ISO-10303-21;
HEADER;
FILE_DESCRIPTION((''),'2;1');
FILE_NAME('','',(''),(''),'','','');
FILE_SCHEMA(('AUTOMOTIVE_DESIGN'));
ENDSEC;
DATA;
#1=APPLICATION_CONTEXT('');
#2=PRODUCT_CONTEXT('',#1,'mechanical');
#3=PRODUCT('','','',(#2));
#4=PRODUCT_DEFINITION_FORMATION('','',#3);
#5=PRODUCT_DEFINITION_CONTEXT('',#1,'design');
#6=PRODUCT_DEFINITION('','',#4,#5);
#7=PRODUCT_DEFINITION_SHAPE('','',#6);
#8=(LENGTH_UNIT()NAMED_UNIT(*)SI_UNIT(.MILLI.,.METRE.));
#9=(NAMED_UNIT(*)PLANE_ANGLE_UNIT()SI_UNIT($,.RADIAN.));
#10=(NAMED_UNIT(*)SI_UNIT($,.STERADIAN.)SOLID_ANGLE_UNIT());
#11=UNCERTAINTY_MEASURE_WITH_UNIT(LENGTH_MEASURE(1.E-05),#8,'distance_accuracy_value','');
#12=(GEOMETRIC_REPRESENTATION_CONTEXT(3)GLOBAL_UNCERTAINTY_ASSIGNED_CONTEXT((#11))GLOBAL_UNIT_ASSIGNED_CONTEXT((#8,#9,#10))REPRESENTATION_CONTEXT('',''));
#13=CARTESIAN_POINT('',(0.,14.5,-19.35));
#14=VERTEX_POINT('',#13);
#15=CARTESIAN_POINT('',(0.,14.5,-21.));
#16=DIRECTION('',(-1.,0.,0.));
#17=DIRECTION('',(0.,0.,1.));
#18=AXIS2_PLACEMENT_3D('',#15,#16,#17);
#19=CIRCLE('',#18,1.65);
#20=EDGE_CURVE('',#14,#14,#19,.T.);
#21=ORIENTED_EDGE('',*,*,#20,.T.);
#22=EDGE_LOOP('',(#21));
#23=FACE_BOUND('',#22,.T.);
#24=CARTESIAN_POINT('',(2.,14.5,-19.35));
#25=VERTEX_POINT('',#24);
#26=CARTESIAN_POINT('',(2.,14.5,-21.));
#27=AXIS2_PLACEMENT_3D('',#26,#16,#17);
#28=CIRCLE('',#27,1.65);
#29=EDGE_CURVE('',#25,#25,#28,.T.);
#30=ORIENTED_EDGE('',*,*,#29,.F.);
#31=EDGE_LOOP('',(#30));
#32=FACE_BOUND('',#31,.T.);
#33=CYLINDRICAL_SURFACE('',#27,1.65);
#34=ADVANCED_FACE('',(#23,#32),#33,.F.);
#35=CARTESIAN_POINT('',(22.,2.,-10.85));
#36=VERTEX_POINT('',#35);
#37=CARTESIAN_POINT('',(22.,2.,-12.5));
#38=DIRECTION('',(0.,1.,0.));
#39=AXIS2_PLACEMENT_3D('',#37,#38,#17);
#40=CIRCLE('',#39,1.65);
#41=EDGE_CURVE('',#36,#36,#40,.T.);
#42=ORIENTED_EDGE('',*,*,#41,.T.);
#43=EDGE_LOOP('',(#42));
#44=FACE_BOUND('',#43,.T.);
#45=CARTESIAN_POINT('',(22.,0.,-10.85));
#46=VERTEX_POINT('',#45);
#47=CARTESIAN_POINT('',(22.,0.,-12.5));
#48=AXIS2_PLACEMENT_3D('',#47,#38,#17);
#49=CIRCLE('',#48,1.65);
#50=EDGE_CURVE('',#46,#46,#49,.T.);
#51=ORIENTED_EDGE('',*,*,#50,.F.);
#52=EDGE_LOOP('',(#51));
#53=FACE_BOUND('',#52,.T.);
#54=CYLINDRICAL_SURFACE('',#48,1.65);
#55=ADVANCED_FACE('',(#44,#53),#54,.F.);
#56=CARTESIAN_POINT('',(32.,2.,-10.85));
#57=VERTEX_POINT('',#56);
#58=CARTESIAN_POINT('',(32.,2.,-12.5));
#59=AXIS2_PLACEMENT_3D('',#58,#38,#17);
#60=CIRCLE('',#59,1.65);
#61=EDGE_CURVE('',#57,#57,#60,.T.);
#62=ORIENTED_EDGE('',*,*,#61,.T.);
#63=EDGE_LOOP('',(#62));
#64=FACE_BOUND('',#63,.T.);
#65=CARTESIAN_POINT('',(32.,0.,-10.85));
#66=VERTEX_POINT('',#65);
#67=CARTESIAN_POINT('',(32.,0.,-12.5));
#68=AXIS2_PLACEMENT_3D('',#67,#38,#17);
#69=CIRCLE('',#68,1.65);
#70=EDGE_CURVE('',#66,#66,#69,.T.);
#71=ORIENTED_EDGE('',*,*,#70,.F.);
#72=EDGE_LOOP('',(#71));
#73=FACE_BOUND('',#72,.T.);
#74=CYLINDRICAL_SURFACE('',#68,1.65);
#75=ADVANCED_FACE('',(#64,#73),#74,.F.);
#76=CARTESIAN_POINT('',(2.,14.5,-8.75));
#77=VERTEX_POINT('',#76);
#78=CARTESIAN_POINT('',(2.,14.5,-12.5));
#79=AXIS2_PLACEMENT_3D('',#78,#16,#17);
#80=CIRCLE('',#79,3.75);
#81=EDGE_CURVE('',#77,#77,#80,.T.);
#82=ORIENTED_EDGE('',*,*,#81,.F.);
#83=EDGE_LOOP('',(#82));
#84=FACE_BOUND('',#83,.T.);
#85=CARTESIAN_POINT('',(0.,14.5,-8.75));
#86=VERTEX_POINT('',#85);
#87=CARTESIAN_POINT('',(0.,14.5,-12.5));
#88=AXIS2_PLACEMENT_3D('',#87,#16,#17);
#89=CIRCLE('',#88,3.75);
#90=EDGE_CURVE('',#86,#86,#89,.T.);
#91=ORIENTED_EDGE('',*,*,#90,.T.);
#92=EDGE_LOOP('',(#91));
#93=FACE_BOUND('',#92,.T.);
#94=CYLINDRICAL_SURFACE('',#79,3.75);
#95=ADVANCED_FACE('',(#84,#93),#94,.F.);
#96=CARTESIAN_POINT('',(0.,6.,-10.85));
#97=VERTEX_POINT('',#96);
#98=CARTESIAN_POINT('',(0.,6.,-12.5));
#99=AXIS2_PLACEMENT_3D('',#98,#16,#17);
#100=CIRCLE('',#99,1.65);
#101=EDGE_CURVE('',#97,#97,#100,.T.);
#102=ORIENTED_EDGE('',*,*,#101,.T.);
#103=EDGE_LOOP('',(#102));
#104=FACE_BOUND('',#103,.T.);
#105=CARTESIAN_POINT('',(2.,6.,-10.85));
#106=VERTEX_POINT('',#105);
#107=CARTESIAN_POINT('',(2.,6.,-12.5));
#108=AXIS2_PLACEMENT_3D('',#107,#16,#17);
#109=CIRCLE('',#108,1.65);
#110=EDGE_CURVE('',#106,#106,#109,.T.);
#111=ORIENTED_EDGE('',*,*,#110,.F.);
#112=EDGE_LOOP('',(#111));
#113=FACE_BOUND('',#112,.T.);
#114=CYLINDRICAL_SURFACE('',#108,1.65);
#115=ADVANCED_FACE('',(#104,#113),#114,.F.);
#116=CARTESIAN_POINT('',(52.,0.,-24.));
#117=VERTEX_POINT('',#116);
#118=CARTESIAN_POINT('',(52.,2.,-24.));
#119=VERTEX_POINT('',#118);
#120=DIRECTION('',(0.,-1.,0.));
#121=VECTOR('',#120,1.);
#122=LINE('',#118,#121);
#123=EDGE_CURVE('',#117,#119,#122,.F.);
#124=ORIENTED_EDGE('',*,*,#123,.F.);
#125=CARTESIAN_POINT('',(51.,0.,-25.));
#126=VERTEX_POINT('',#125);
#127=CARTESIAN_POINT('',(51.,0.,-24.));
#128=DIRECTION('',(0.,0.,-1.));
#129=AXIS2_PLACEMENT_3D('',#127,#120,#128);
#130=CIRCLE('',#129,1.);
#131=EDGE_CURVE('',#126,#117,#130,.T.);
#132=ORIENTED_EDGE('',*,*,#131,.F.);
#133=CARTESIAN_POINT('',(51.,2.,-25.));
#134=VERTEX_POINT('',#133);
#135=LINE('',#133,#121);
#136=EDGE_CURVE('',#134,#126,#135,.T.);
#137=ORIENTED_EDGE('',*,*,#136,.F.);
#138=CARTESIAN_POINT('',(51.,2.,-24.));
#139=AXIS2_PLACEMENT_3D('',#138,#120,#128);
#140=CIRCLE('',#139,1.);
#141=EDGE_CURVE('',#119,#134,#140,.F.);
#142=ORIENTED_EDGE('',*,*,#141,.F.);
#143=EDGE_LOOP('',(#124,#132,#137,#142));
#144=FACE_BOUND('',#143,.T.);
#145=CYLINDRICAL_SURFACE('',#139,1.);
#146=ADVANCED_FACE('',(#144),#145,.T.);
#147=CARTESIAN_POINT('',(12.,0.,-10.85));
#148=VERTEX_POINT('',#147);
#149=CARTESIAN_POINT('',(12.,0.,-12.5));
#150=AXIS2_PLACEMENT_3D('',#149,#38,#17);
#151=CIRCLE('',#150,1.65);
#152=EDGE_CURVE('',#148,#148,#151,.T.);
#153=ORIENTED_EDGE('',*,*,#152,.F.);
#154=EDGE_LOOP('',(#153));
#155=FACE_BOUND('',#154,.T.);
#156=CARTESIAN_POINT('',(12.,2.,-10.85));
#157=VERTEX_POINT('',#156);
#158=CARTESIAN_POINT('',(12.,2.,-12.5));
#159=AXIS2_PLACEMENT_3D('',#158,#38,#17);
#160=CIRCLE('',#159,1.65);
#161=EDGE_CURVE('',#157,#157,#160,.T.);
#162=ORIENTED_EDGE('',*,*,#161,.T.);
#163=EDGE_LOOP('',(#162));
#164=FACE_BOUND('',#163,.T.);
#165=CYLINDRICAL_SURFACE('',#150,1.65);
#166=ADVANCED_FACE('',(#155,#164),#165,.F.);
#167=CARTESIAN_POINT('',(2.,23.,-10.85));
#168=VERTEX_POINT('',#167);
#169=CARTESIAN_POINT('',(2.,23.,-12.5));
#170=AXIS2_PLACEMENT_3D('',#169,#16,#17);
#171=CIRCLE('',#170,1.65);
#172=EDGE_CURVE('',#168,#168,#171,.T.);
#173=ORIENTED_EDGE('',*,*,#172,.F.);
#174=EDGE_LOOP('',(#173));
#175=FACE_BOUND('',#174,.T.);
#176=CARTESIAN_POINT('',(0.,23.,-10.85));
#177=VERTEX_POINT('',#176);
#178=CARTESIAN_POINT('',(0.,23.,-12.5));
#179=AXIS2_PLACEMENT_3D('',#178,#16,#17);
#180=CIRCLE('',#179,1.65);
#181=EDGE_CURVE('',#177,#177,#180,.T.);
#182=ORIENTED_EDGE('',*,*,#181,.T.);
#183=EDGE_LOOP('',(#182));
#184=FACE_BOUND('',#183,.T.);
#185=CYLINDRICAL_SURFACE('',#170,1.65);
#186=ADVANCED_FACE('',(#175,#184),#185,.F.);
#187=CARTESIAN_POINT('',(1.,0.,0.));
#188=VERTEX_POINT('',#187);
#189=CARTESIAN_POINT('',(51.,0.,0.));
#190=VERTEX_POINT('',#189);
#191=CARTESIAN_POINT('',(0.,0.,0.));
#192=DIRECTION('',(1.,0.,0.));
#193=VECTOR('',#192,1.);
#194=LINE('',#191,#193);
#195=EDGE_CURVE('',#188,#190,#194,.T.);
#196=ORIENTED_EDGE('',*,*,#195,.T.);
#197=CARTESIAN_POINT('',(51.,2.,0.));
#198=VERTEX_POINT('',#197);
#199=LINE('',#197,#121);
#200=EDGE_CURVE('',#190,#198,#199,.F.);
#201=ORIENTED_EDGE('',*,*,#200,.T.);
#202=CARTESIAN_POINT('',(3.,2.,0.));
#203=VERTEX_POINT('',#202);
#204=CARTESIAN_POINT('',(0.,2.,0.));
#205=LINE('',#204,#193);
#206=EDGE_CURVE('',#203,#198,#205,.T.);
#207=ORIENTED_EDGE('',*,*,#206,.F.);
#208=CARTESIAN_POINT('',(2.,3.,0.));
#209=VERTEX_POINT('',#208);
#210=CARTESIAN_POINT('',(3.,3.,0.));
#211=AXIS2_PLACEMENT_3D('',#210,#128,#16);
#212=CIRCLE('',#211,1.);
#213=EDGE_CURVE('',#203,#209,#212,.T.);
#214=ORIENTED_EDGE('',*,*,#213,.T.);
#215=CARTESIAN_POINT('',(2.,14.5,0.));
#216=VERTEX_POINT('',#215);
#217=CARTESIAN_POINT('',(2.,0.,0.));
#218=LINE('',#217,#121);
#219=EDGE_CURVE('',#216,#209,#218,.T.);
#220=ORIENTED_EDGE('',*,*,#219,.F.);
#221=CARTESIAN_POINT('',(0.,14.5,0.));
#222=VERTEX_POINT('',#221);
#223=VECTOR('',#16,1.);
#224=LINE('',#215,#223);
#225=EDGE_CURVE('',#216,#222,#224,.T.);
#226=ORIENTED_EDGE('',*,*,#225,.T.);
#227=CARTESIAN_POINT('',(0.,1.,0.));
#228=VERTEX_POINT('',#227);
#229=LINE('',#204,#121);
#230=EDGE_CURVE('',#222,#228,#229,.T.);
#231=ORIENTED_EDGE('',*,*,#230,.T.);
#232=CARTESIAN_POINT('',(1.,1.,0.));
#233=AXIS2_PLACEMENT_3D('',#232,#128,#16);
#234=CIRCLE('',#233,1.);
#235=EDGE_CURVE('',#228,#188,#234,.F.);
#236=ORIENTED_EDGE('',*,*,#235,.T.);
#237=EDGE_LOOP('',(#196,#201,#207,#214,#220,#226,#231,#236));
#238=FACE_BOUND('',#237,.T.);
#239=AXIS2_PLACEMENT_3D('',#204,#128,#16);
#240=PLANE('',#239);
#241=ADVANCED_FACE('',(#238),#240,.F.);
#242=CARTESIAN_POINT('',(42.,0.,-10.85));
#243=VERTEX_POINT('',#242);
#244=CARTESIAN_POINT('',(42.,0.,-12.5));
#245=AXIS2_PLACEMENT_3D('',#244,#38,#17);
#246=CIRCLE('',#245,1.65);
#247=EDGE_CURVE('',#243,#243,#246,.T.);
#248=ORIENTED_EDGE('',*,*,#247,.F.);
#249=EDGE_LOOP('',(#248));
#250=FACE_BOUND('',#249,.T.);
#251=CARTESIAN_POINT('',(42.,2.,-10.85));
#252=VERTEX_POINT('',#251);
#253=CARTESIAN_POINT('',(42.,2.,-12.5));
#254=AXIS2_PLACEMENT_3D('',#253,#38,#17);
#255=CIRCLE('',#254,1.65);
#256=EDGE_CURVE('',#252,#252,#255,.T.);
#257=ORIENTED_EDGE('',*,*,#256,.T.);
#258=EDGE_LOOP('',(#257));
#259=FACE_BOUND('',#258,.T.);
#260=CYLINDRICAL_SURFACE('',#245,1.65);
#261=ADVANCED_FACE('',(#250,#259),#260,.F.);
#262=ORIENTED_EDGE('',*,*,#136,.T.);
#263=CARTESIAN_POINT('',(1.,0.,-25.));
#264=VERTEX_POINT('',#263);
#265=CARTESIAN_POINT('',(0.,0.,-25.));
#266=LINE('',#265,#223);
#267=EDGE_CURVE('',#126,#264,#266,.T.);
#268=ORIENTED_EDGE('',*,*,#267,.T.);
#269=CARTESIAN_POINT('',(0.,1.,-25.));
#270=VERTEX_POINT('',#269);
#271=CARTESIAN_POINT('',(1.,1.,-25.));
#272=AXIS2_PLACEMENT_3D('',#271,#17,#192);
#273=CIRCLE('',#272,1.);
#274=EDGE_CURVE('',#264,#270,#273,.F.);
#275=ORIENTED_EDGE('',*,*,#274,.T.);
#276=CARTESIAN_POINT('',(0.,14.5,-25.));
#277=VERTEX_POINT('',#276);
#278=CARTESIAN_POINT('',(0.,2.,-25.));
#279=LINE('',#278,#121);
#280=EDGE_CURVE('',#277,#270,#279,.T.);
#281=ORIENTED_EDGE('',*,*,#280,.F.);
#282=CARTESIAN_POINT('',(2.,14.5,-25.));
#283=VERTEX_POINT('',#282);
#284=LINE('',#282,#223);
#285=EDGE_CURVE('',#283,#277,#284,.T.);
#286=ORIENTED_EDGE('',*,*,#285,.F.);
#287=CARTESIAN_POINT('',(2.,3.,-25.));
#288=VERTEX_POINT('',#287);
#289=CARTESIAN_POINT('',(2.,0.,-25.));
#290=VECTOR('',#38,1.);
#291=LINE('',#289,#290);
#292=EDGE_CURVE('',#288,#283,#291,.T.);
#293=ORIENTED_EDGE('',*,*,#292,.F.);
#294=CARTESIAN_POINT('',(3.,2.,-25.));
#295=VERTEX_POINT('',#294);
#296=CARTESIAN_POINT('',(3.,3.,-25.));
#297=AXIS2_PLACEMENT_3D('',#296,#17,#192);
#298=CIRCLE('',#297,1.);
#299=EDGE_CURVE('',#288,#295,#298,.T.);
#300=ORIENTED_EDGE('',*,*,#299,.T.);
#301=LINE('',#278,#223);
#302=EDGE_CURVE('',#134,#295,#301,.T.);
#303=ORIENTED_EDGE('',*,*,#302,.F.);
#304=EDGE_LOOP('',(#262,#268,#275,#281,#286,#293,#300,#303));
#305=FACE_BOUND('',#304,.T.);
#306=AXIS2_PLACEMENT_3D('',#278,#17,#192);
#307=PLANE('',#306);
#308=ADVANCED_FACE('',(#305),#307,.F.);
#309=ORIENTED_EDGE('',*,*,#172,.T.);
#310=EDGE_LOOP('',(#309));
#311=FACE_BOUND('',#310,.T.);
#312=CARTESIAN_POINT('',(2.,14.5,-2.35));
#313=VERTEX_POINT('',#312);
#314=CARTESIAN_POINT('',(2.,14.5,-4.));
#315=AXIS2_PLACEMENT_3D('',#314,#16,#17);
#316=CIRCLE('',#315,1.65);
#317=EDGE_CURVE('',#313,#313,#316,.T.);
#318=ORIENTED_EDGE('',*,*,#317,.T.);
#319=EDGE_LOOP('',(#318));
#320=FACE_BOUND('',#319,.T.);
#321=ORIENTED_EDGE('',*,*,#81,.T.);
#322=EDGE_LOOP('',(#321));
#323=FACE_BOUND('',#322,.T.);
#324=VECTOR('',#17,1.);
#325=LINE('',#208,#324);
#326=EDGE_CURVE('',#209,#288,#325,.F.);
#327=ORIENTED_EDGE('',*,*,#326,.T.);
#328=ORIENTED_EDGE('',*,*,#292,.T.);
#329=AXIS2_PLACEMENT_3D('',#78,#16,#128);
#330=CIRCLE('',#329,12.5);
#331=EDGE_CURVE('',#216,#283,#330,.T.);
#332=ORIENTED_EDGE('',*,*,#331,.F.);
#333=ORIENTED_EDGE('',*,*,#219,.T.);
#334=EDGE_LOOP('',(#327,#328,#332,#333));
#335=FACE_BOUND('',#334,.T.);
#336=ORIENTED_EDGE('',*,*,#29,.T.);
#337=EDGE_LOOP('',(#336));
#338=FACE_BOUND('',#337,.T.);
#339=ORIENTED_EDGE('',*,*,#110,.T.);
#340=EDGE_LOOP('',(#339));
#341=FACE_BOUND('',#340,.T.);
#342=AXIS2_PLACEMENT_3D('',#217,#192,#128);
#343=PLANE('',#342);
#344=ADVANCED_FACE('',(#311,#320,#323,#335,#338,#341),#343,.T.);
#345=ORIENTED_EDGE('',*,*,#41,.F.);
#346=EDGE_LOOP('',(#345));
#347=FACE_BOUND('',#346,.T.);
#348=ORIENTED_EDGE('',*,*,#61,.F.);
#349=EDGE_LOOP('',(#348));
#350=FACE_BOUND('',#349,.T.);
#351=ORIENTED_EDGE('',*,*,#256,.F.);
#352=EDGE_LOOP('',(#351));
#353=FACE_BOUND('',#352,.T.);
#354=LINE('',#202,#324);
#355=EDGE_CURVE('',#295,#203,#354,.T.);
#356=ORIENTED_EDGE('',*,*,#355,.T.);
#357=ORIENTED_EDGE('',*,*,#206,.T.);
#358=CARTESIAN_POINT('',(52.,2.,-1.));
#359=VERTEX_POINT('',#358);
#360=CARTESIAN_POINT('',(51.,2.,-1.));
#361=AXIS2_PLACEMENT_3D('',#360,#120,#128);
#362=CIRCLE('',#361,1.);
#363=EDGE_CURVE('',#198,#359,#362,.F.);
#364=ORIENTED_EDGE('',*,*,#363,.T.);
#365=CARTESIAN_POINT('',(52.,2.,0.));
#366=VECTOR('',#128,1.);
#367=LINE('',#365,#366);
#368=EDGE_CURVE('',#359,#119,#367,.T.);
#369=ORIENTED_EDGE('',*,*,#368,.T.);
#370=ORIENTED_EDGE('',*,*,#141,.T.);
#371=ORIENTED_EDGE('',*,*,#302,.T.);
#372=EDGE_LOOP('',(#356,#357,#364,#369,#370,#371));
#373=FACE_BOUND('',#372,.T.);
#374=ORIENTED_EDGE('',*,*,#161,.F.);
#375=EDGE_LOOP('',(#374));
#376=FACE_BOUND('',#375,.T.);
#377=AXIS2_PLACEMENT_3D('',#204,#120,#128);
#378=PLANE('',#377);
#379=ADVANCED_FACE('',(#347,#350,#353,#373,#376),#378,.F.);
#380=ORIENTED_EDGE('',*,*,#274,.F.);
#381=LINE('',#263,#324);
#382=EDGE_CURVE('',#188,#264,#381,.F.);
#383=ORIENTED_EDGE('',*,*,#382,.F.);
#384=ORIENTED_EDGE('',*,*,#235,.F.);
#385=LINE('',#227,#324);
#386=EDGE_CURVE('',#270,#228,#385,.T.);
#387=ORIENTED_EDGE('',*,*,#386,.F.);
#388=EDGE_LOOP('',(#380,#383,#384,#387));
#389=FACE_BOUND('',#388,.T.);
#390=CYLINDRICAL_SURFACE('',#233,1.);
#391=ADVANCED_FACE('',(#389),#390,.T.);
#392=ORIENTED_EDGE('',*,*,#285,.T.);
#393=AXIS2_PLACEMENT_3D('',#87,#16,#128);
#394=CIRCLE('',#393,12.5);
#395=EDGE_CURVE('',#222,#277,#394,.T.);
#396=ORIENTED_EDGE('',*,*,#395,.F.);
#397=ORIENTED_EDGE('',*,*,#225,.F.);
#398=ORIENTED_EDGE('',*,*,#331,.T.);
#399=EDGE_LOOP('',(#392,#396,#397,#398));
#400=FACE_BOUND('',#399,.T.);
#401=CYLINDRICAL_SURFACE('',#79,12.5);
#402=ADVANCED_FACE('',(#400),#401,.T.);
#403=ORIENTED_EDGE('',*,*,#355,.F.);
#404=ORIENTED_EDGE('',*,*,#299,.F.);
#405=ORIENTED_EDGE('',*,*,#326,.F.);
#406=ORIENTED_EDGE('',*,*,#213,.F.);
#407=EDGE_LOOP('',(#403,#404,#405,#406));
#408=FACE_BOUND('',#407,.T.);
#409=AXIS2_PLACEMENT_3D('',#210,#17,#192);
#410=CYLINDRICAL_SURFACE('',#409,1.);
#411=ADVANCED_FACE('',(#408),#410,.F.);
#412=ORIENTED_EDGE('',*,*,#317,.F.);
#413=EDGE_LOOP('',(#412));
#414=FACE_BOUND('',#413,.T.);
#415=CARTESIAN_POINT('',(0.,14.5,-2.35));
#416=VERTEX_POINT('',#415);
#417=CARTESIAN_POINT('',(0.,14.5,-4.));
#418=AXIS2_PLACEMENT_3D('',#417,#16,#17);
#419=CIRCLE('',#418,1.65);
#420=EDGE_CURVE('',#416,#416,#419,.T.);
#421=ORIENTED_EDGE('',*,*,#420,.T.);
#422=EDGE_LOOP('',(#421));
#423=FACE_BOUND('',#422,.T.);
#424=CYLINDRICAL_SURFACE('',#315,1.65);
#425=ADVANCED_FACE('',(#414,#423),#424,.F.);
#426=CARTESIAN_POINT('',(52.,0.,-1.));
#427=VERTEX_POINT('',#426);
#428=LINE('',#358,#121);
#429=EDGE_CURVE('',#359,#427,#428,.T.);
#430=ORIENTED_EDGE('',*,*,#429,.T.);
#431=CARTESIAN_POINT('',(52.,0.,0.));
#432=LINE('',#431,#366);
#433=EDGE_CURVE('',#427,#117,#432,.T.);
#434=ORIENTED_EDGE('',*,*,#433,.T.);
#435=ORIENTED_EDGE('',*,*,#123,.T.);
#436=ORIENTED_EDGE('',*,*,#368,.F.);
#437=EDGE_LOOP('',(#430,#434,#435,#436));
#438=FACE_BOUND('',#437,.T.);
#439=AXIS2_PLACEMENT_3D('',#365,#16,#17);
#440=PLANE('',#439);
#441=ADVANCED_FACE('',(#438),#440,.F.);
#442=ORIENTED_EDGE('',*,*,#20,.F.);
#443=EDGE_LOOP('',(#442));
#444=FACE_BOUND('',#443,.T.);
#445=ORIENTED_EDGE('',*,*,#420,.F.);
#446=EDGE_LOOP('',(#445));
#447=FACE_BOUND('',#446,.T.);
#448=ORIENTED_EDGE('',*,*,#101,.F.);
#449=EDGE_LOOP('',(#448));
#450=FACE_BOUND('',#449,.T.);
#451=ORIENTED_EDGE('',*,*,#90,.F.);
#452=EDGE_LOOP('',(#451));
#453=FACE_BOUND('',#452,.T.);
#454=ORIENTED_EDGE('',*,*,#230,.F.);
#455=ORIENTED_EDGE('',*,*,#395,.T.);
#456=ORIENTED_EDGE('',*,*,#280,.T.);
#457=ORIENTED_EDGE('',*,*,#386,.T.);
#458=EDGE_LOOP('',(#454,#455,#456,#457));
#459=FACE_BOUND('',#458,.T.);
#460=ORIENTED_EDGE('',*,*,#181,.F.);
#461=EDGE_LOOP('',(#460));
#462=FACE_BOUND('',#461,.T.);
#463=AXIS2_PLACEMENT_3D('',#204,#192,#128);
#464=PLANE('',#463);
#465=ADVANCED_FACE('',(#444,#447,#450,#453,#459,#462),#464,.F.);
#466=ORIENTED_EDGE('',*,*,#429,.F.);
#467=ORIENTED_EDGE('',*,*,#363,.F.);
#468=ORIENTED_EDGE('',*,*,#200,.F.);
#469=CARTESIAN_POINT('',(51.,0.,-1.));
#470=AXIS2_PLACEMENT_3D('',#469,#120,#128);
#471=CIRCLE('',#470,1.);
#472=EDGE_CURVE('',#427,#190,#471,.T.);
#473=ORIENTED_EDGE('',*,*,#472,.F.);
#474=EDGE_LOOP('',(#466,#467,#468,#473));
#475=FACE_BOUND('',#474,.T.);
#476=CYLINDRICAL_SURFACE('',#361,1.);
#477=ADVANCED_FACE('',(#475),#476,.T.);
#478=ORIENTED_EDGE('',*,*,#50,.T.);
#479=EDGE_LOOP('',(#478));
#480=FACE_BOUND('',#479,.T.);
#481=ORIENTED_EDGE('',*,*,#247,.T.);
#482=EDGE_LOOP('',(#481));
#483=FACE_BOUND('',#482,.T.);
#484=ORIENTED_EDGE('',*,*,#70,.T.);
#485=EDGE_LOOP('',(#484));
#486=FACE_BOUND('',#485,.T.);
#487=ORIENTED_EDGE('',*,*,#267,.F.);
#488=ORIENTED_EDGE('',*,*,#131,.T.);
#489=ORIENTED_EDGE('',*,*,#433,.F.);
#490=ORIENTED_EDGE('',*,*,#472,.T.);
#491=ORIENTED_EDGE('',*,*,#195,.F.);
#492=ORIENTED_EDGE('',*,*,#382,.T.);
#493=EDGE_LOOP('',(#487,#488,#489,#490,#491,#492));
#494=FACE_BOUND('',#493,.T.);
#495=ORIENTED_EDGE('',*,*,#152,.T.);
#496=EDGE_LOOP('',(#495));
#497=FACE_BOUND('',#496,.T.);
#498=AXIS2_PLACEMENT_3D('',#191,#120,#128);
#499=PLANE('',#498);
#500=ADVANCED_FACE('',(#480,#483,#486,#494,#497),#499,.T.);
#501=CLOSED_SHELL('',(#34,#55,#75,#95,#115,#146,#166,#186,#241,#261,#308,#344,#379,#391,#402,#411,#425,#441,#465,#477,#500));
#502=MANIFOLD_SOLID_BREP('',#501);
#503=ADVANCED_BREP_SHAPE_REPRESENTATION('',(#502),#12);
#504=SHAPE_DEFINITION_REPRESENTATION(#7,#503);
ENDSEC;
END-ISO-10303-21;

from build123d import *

# Parameters (mm, degrees)
SKETCH3_W           = 52
SKETCH3_H           = 25
BOSS_EXTRUDE3_DEPTH = 2
SKETCH4_W           = 25
SKETCH4_H           = 14.5
BOSS_EXTRUDE4_DEPTH = 2
BOSS_EXTRUDE5_DEPTH = 2
SKETCH6_R           = 1.65
CUT_EXTRUDE1_DEPTH  = 2
SKETCH7_R           = 3.75
SKETCH7_R_2         = 1.65
CUT_EXTRUDE2_DEPTH  = 2
FILLET1_R           = 1


with BuildPart() as part:
    # Sketch3 → Boss-Extrude3 (new body)
    with BuildSketch(Plane(origin=(0, 0, 0), x_dir=(1, 0, 0), z_dir=(0, 1, 0))):
        with Locations((26, 12.5)):
            Rectangle(SKETCH3_W, SKETCH3_H)
    extrude(amount=BOSS_EXTRUDE3_DEPTH)

    # Sketch4 → Boss-Extrude4 (add)
    with BuildSketch(Plane(origin=(0, 0, 0), x_dir=(0, 0, -1), z_dir=(1, 0, 0))):
        with Locations((12.5, 7.25)):
            Rectangle(SKETCH4_W, SKETCH4_H)
    extrude(amount=BOSS_EXTRUDE4_DEPTH)

    # Sketch5 → Boss-Extrude5 (add)
    with BuildSketch(Plane.ZY):
        with BuildLine():
            Line((-25, 0), (0, 0))
            Line((0, 0), (0, 14.5))
            ThreePointArc((0, 14.5), (-12.5, 27), (-25, 14.5))
            Line((-25, 14.5), (-25, 0))
        make_face()
    extrude(amount=-BOSS_EXTRUDE5_DEPTH)

    # Sketch6 → Cut-Extrude1 (cut)
    with BuildSketch(Plane(origin=(0, 2, 0), x_dir=(1, 0, 0), z_dir=(0, 1, 0))):
        with Locations(Location((12, 12.5, 0), (0, 0, 270))):
            Circle(SKETCH6_R)
        with Locations(Location((22, 12.5, 0), (0, 0, 270))):
            Circle(SKETCH6_R)
        with Locations(Location((32, 12.5, 0), (0, 0, 270))):
            Circle(SKETCH6_R)
        with Locations(Location((42, 12.5, 0), (0, 0, 270))):
            Circle(SKETCH6_R)
    extrude(amount=-CUT_EXTRUDE1_DEPTH, mode=Mode.SUBTRACT)

    # Sketch7 → Cut-Extrude2 (cut)
    with BuildSketch(Plane.ZY):
        with Locations((-12.5, 14.5)):
            Circle(SKETCH7_R)
        with Locations((-21, 14.5)):
            Circle(SKETCH7_R_2)
        with Locations((-4, 14.5)):
            Circle(SKETCH7_R_2)
        with Locations((-12.5, 6)):
            Circle(SKETCH7_R_2)
        with Locations((-12.5, 23)):
            Circle(SKETCH7_R_2)
    extrude(amount=-CUT_EXTRUDE2_DEPTH, mode=Mode.SUBTRACT)

    # Fillet1
    fillet1_edges = [part.edges().sort_by_distance(p)[0] for p in [
        (2, 2, -12.5),
        (0, 0, -12.5),
        (52, 1, -25),
        (52, 1, 0),
    ]]
    fillet(fillet1_edges, radius=FILLET1_R)


solid = part.part
